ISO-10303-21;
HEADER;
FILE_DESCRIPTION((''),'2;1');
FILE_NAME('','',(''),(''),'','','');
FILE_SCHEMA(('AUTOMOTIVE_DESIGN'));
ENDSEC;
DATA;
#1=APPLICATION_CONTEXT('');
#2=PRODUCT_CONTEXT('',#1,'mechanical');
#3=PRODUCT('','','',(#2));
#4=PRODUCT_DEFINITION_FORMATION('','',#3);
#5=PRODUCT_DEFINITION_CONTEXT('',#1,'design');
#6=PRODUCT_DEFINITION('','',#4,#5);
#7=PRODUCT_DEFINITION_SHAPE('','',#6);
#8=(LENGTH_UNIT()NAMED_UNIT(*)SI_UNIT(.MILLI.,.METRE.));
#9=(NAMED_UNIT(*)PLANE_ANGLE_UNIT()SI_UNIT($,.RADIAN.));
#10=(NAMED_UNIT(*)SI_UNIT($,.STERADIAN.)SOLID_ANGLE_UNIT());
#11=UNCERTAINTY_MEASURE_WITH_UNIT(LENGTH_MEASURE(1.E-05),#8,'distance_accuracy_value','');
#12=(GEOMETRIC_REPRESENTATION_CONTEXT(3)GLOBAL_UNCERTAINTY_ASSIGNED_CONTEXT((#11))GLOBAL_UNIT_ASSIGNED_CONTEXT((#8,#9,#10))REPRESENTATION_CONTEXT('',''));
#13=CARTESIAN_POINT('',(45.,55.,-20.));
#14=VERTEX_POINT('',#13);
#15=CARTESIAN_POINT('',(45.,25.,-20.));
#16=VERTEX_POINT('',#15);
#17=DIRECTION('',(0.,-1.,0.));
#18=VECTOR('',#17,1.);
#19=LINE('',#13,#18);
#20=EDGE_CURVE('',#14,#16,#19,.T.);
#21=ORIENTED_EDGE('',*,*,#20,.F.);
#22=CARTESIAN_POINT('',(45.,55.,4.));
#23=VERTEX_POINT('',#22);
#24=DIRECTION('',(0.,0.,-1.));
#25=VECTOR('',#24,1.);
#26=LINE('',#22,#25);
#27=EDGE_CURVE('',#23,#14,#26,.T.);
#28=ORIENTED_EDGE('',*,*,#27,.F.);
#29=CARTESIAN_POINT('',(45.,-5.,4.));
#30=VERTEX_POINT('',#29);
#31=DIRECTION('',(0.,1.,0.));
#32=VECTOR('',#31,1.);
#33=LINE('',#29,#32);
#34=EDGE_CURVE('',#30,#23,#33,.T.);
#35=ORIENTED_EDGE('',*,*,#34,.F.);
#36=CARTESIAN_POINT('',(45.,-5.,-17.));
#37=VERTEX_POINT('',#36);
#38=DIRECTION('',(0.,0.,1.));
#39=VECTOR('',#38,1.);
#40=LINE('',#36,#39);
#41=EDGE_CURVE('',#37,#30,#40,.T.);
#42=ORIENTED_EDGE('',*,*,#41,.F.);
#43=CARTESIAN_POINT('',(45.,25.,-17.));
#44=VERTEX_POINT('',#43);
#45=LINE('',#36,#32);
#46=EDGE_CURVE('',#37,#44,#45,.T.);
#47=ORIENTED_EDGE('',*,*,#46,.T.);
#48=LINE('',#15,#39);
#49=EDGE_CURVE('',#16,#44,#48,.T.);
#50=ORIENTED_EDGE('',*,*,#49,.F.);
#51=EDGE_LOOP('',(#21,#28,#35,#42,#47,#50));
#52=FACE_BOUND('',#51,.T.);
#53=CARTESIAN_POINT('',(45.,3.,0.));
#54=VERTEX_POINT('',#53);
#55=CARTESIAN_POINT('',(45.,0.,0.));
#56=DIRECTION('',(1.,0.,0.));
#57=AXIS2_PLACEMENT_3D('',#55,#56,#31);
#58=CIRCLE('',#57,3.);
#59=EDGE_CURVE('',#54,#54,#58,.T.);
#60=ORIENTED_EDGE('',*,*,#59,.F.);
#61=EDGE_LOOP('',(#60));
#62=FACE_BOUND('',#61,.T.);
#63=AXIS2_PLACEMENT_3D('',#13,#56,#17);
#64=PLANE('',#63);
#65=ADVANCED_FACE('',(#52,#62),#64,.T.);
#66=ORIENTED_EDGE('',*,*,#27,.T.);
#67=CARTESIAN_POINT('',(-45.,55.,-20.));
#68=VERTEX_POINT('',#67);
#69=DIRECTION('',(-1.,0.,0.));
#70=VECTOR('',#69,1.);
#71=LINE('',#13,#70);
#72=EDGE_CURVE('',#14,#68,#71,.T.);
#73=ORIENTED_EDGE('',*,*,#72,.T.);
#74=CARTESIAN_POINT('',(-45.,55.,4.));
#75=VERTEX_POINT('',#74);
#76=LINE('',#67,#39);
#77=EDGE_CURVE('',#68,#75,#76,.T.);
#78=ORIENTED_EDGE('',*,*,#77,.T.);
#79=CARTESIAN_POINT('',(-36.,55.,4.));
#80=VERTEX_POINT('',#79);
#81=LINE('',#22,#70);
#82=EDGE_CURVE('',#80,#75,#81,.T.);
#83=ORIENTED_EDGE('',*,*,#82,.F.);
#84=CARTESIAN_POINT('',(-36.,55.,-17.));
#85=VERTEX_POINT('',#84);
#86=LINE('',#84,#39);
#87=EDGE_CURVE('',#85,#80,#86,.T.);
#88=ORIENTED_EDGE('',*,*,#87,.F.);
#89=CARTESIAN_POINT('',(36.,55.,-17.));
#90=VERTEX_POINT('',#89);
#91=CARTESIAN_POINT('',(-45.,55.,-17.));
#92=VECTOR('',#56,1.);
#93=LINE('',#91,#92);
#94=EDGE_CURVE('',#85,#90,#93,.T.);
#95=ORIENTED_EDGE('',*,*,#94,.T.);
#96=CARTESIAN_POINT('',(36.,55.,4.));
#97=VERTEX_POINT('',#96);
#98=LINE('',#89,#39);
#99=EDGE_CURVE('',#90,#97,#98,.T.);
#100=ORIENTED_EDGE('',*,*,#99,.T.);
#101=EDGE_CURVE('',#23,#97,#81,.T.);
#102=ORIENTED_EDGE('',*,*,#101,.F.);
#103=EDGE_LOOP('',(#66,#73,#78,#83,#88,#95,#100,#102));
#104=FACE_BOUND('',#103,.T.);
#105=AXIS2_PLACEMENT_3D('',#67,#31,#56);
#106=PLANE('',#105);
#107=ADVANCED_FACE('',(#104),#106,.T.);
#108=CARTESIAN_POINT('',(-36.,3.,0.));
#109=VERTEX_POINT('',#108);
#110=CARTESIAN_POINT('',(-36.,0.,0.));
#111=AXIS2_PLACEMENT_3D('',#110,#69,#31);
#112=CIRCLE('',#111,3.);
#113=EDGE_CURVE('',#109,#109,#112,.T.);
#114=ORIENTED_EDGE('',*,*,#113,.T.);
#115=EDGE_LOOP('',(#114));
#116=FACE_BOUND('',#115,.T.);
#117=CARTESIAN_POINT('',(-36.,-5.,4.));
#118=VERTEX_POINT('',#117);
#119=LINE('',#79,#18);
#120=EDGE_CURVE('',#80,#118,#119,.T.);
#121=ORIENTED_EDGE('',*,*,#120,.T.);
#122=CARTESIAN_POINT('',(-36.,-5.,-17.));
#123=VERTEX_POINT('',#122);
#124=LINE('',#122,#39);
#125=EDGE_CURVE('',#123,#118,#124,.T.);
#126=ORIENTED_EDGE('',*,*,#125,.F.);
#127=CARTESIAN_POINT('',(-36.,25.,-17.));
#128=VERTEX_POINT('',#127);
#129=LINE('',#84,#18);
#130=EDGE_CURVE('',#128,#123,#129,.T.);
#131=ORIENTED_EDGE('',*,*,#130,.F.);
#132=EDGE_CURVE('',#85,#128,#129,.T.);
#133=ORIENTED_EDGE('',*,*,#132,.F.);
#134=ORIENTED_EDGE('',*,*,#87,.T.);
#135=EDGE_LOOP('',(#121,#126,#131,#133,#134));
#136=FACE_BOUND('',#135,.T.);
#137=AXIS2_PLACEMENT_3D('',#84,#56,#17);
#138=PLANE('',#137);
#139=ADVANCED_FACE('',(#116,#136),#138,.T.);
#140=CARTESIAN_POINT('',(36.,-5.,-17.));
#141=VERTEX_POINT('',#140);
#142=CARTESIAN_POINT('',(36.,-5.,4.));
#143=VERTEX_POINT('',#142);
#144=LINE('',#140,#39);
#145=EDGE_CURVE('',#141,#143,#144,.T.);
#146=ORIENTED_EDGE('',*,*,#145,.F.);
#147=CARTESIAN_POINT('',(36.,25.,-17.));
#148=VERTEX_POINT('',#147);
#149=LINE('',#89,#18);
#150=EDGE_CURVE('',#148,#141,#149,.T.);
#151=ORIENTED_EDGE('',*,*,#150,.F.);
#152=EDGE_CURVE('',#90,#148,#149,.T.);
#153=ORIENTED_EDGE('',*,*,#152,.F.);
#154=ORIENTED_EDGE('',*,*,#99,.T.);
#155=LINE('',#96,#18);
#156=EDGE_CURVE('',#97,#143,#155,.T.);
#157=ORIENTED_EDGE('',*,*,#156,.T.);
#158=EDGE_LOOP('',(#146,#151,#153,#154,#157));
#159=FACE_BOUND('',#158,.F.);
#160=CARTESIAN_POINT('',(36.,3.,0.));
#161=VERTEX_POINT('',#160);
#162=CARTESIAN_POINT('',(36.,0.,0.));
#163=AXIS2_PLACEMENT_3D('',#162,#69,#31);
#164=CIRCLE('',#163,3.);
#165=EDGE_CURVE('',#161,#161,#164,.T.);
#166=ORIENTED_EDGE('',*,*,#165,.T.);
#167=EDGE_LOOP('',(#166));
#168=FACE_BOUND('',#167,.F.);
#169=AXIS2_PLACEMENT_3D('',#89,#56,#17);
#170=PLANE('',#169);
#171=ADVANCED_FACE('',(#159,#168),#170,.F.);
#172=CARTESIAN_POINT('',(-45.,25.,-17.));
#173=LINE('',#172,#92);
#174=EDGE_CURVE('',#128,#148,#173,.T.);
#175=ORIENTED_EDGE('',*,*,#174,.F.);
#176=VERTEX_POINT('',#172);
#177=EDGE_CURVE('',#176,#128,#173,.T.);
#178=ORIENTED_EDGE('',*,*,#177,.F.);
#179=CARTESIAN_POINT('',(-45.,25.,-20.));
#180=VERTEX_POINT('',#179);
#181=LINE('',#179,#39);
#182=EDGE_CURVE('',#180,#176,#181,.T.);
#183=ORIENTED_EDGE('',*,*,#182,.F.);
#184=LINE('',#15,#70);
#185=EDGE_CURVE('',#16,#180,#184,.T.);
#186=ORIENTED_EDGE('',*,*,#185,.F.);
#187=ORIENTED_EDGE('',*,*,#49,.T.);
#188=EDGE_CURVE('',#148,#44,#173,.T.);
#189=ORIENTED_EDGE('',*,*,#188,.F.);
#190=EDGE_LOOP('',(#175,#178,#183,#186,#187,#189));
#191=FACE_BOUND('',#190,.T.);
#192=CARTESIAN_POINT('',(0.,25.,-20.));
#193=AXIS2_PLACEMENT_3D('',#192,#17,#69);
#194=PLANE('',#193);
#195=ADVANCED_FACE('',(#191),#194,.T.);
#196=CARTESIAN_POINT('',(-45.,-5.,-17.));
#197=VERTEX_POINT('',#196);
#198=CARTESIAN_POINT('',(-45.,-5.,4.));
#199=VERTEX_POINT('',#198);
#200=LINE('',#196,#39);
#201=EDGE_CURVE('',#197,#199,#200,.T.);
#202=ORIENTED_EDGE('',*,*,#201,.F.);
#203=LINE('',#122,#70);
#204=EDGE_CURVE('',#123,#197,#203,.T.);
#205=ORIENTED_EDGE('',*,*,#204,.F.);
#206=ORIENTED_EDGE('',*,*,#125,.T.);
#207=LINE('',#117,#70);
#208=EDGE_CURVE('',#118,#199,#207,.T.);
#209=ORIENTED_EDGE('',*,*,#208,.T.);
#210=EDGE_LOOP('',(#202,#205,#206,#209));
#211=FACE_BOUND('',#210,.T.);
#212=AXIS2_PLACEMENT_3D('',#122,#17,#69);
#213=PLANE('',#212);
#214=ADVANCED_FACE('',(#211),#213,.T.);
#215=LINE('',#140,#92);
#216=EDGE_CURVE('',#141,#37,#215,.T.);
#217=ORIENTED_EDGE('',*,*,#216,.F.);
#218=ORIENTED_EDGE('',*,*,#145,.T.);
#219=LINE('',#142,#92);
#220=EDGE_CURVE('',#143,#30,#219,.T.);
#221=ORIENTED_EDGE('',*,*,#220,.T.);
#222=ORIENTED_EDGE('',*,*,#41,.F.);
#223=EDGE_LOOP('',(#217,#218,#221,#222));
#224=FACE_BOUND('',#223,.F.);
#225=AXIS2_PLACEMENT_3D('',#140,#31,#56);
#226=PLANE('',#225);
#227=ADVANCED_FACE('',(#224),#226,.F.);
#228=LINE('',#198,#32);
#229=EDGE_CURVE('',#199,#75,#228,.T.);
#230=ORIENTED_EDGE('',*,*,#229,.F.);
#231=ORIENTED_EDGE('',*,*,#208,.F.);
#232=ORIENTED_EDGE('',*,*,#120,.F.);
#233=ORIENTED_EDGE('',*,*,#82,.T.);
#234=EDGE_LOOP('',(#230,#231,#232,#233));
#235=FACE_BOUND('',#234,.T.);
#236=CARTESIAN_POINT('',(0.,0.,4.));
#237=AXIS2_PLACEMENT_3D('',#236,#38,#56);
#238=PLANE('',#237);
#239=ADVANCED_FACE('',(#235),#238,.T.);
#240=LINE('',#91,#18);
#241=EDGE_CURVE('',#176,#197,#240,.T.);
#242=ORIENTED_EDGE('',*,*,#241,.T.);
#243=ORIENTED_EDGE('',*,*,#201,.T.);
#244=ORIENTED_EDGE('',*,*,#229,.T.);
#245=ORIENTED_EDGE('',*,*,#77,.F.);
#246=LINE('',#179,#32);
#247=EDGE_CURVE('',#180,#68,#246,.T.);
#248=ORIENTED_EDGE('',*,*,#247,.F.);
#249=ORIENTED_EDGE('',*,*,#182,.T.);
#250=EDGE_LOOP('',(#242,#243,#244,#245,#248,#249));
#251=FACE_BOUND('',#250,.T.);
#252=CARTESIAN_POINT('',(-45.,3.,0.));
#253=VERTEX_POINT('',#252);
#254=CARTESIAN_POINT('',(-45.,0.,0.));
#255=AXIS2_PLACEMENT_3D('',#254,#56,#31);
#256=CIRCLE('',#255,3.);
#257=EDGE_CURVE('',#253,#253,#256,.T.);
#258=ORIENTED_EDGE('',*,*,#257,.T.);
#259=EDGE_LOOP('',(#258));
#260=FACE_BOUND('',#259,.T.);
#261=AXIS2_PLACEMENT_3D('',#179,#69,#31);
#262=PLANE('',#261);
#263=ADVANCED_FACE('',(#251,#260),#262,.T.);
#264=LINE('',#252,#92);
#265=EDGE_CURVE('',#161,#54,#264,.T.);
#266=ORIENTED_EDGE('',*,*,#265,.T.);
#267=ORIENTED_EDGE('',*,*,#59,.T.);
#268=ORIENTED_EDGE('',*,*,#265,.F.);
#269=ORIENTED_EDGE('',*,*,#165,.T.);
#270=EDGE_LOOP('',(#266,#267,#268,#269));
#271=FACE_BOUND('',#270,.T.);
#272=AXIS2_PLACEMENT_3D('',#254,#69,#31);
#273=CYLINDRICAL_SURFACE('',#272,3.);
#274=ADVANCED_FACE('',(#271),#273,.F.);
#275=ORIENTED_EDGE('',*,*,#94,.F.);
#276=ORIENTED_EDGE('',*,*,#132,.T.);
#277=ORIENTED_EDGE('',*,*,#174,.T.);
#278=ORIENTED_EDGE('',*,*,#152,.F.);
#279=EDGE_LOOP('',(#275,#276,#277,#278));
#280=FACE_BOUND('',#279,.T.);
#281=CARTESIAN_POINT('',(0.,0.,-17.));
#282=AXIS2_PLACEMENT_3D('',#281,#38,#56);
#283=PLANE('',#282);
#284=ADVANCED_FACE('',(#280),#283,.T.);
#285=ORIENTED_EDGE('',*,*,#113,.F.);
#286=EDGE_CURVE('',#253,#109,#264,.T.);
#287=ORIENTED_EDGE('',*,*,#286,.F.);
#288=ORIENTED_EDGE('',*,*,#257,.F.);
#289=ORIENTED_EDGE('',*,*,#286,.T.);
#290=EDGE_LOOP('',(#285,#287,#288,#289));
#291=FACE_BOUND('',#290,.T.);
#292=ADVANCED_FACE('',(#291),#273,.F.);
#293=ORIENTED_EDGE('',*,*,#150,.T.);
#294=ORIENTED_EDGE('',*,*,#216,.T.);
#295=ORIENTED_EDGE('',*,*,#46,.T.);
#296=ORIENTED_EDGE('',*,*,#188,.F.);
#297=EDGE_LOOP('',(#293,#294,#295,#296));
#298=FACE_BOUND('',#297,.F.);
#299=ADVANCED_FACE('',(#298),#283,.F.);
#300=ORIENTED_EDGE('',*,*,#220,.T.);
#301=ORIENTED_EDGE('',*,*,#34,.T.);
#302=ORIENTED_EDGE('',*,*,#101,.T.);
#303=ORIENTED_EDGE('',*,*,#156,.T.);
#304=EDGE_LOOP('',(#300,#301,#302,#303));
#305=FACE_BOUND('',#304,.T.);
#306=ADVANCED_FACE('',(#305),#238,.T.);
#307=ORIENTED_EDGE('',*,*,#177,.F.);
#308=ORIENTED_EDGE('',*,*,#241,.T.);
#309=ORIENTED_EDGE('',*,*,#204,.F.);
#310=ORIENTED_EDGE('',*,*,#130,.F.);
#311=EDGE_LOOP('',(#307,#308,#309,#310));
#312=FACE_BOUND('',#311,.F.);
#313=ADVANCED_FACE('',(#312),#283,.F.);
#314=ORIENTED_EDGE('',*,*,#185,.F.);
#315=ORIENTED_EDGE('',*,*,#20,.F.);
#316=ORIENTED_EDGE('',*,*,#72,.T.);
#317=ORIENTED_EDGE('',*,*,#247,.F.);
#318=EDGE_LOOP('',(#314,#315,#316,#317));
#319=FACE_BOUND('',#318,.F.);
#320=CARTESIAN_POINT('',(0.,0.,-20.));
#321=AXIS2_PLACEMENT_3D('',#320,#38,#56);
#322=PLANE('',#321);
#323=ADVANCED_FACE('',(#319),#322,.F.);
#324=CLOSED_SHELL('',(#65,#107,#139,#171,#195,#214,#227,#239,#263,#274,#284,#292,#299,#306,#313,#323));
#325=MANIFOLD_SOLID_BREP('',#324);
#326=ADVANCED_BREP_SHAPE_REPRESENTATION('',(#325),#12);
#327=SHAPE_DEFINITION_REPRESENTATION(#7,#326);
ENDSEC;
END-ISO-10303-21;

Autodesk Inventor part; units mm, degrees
ref_plane "YZ Plane" through (0, 0, 0) normal (1, 0, 0) x (0, 1, 0)
ref_plane "XZ Plane" through (0, 0, 0) normal (0, 1, 0) x (-1, 0, 0)
ref_plane "作業平面1" through (0, 0, -20) normal (0, 0, 1) x (1, 0, 0)
sketch "スケッチ1" plane through (0, 0, -20) normal (0, 0, 1) x (1, 0, 0)
  line L0 (-45, 55) -> (45, 55)
  line L1 (45, 55) -> (45, 25)
  line L2 (45, 25) -> (-45, 25)
  line L3 (-45, 25) -> (-45, 55)
  line L4 (0, 66) -> (0, -11) projected
  line L5 (-63, 0) -> (63, 0) projected
  point P0 (0, 0)
  dimension "d1" = 90
  dimension "d2" = 30
  dimension "d3" = 55
extrude "押し出し1" add sketch "スケッチ1" along normal blind 3
sketch "スケッチ2" plane through (0, 0, -17) normal (0, 0, 1) x (1, 0, 0)
  line L0 (45, 55) -> (-45, 55) projected
  line L1 (45, 55) -> (36, 55)
  line L2 (36, 55) -> (36, -5)
  line L3 (36, -5) -> (45, -5)
  line L4 (45, -5) -> (45, 55)
  line L5 (-45, 55) -> (-45, 25) projected
  line L6 (-45, 55) -> (-36, 55)
  line L7 (-36, 55) -> (-36, -5)
  line L8 (-36, -5) -> (-45, -5)
  line L9 (-45, -5) -> (-45, 55)
  point P0 (0, 0)
  dimension "d6" = 9
  dimension "d7" = 60
  dimension "d8" = 9
extrude "押し出し2" add sketch "スケッチ2" along normal blind 21
sketch "スケッチ3" plane through (0, 0, 0) normal (1, 0, 0) x (0, 1, 0)
  circle A0 centre (0, 0) radius 3
  dimension "d11" = 6
extrude "押し出し3" cut sketch "スケッチ3" along normal up to surface (90 mm away) from surface at -45
properties part number "vacuum_cup_base"
